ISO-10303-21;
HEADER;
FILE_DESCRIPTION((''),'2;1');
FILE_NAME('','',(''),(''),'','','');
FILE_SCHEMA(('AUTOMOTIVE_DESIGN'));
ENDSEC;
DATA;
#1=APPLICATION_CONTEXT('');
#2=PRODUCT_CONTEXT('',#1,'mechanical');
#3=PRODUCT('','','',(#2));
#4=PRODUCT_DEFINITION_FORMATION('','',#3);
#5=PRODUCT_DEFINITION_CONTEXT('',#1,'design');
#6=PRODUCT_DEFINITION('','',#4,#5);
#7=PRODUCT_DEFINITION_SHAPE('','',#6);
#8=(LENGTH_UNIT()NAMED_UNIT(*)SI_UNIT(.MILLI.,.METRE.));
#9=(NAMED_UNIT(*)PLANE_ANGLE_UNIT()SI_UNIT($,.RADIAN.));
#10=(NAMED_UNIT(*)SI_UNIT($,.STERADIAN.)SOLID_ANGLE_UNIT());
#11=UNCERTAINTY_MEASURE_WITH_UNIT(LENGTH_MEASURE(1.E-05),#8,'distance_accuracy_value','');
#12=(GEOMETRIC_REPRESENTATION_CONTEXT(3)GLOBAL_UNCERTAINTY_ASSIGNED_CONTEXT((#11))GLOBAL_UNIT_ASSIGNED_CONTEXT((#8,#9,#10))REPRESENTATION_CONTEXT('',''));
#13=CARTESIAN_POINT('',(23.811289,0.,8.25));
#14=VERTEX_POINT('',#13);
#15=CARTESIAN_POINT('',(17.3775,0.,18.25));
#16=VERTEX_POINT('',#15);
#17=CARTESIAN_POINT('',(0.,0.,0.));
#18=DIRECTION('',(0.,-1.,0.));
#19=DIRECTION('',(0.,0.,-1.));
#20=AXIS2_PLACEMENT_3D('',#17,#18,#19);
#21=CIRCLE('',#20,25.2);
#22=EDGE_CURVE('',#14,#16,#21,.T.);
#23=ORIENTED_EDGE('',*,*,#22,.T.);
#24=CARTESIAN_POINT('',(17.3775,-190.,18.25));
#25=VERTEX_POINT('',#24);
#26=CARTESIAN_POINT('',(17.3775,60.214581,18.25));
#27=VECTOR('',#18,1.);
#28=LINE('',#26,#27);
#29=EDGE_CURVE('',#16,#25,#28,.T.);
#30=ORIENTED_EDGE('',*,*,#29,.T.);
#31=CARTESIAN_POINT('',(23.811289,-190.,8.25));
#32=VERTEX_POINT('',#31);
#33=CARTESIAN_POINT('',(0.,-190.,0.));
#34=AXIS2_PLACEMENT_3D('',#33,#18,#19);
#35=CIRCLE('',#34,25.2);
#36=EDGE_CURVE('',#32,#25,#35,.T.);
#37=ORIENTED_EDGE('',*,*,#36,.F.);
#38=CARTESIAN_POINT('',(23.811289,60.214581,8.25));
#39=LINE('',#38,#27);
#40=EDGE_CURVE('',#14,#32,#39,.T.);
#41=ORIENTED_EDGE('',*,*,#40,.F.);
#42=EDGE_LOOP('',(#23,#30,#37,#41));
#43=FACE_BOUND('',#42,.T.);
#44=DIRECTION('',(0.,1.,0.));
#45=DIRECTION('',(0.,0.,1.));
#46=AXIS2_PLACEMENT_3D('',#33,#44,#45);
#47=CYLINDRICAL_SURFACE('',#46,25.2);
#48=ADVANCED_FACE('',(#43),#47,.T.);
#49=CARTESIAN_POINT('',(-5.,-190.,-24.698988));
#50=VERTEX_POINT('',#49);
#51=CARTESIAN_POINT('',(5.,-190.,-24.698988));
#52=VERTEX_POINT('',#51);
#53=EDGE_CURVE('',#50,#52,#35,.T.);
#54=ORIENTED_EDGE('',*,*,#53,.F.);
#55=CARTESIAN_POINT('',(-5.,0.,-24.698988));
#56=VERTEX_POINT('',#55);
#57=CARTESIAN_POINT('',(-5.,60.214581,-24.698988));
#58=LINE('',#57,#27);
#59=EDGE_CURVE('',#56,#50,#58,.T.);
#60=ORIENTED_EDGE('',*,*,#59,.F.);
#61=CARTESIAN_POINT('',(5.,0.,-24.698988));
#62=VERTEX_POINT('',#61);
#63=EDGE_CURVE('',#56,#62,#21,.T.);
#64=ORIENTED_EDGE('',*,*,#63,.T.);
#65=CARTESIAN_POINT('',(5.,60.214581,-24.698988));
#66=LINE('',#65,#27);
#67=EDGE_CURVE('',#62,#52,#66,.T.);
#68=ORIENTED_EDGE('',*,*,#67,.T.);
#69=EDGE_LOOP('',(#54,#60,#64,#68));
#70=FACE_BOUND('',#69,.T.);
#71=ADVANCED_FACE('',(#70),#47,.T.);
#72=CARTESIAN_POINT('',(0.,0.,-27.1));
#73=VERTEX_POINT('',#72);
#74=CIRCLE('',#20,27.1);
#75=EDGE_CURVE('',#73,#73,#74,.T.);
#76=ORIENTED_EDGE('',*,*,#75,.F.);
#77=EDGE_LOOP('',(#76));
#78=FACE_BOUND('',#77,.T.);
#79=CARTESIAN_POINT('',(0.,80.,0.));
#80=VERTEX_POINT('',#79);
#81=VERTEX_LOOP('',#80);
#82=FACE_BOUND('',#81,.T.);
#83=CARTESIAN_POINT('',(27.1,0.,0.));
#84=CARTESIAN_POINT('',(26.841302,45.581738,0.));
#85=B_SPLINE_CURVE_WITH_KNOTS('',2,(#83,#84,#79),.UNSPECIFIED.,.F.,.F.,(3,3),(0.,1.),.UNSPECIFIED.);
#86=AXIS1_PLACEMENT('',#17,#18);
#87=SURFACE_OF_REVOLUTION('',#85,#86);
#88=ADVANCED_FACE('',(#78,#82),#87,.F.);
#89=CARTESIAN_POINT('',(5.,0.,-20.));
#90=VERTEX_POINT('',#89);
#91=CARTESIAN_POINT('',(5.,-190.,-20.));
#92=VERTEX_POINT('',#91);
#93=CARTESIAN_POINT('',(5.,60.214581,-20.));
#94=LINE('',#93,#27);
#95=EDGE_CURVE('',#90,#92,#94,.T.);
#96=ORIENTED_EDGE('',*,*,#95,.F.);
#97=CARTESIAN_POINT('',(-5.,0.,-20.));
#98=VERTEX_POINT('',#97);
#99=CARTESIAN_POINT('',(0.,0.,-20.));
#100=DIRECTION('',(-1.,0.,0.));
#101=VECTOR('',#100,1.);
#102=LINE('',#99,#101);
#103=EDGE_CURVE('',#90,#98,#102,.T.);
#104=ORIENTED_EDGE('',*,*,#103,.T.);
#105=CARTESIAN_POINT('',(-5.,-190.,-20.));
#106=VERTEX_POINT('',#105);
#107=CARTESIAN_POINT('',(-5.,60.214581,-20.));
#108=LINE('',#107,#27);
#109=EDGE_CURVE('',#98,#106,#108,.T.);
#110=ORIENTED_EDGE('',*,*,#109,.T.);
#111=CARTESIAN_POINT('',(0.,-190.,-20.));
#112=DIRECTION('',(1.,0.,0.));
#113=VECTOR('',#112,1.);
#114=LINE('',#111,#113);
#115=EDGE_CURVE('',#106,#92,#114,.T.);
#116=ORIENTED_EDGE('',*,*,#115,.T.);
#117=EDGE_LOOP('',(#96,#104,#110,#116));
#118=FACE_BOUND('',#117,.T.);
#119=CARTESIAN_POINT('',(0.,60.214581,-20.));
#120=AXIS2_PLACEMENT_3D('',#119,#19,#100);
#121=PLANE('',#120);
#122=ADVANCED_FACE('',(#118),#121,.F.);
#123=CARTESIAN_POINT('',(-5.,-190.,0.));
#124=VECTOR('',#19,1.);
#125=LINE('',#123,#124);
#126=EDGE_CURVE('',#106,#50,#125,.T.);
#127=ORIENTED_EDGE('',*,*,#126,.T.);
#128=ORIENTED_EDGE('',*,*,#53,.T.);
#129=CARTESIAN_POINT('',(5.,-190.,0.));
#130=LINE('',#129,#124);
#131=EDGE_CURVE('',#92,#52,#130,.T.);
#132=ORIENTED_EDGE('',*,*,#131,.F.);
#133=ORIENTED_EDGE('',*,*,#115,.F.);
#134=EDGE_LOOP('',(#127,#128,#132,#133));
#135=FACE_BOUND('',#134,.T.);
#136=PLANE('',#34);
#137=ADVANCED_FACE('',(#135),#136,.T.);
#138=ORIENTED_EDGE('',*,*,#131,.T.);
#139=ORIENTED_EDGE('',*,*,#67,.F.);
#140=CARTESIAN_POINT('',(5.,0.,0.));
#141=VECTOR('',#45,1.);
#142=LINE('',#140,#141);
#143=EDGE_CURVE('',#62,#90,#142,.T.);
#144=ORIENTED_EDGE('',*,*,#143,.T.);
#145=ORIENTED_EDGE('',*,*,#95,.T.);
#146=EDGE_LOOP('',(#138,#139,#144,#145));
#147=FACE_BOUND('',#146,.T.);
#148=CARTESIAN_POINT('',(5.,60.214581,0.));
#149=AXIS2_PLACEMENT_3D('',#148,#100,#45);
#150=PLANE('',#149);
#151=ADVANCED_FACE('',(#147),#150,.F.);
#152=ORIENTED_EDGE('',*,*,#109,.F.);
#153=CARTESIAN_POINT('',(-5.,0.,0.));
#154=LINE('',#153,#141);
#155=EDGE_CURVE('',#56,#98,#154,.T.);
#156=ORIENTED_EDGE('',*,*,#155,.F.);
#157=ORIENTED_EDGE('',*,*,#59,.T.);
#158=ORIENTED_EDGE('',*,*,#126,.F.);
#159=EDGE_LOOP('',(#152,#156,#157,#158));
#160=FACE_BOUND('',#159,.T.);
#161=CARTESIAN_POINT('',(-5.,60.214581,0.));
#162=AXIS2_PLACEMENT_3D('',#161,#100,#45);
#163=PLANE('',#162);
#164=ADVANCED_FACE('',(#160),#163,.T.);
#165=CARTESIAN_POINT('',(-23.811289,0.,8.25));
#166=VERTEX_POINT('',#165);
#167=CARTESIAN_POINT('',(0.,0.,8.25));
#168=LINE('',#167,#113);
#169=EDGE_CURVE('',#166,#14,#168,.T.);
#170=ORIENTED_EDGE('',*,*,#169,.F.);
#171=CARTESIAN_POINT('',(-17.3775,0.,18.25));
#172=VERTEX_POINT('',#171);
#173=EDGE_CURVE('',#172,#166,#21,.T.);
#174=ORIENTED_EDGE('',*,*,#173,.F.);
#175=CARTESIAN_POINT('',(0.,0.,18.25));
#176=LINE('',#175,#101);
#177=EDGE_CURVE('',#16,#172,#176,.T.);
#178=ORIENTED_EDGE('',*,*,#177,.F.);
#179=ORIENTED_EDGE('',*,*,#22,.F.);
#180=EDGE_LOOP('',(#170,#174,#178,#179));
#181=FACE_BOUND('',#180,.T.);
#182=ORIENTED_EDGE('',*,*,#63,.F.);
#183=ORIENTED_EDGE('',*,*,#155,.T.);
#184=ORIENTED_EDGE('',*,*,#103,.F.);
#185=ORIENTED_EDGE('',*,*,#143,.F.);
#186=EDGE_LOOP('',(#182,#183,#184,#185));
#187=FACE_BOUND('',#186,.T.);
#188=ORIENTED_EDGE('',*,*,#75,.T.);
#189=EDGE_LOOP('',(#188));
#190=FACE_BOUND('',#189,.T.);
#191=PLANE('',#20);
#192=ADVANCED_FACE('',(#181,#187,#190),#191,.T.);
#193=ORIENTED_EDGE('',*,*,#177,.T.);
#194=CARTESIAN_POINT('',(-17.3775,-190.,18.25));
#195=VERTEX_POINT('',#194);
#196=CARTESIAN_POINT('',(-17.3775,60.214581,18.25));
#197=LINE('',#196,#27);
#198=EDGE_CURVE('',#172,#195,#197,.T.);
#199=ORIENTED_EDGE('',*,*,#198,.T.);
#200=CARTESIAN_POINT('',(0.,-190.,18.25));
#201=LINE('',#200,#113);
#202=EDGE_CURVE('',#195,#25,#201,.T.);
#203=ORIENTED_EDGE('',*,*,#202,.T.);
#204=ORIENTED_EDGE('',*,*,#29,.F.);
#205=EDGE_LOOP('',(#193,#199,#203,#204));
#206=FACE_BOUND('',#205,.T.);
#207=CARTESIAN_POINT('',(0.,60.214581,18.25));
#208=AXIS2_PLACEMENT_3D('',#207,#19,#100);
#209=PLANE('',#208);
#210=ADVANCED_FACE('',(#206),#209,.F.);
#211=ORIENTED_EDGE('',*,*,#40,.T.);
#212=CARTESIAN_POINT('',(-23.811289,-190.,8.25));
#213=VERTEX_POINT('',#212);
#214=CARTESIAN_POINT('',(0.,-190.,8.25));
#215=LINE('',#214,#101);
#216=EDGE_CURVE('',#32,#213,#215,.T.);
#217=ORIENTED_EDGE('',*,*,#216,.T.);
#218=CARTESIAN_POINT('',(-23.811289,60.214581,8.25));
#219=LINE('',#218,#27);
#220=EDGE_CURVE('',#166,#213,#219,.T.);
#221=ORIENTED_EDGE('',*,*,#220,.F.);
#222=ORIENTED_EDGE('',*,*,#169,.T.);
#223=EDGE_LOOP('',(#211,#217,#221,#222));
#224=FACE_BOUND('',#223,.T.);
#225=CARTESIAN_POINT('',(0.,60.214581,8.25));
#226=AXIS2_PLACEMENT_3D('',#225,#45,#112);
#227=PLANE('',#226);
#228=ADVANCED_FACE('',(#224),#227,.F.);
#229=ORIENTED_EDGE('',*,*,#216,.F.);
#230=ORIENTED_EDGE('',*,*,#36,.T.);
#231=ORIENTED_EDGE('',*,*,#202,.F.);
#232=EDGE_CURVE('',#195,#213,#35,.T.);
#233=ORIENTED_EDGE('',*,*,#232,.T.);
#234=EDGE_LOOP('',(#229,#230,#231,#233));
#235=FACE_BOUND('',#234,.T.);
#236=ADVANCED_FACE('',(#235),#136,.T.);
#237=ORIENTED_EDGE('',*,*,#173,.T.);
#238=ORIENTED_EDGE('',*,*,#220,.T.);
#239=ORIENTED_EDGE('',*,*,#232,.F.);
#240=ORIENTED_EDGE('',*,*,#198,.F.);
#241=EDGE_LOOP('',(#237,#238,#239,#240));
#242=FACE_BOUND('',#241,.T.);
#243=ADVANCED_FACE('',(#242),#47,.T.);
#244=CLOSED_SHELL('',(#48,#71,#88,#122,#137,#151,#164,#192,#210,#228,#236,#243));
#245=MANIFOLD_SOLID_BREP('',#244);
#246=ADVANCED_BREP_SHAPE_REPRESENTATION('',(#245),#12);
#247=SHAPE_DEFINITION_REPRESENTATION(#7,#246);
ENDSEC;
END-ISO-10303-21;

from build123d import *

# Parameters (mm, degrees)
SKETCH3_R           = 25.2
BOSS_EXTRUDE1_DEPTH = 190
CUT_EXTRUDE1_START  = -190
CUT_EXTRUDE1_DEPTH  = 190


with BuildPart() as part:
    # Sketch2 → Revolve1 (revolve)
    with BuildSketch(Plane.XY):
        with BuildLine():
            Line((0, 0), (0, 80))
            add(Edge.make_bspline(
                [(0, 80), (26.841301525, 45.581737531), (27.1, 0)],
                knots=[0, 0, 0, 1, 1, 1], degree=2))
            Line((27.1, 0), (0, 0))
        make_face()
    revolve(axis=Axis((0, 0, 0), (0, 1, 0)))

    # Sketch3 → Boss-Extrude1 (add)
    with BuildSketch(Plane.XZ):
        with Locations(Location((0, 0, 0), (0, 0, 270))):
            Circle(SKETCH3_R)
    extrude(amount=BOSS_EXTRUDE1_DEPTH)

    # Sketch4 → Cut-Extrude1 (cut)
    with BuildSketch(Plane.XZ.offset(190).offset(CUT_EXTRUDE1_START)):
        with BuildLine():
            Line((-23.811289339, -8.25), (0, -8.25))
            Line((0, -8.25), (23.811289339, -8.25))
            ThreePointArc((23.811289339, -8.25), (24.850397294, -4.183031715), (25.2, 0))
            ThreePointArc((25.2, 0), (24.850397294, 4.183031715), (23.811289339, 8.25))
            Line((23.811289339, 8.25), (-23.811289339, 8.25))
            ThreePointArc((-23.811289339, 8.25), (-25.2, 0), (-23.811289339, -8.25))
        make_face()
        with BuildLine():
            Line((0, -20), (0, -8.25))
            Line((0, -8.25), (-23.811289339, -8.25))
            ThreePointArc((-23.811289339, -8.25), (-16.588095085, -18.97037431), (-5, -24.698987834))
            Line((-5, -24.698987834), (-5, -20))
            Line((-5, -20), (0, -20))
        make_face()
        with BuildLine():
            Line((23.811289339, -8.25), (0, -8.25))
            Line((0, -8.25), (0, -20))
            Line((0, -20), (5, -20))
            Line((5, -20), (5, -24.698987834))
            ThreePointArc((5, -24.698987834), (16.588095085, -18.97037431), (23.811289339, -8.25))
        make_face()
        with BuildLine():
            ThreePointArc((17.37749982, 18.25), (0, 25.2), (-17.37749982, 18.25))
            Line((-17.37749982, 18.25), (17.37749982, 18.25))
        make_face()
    extrude(amount=CUT_EXTRUDE1_DEPTH, mode=Mode.SUBTRACT)


solid = part.part
